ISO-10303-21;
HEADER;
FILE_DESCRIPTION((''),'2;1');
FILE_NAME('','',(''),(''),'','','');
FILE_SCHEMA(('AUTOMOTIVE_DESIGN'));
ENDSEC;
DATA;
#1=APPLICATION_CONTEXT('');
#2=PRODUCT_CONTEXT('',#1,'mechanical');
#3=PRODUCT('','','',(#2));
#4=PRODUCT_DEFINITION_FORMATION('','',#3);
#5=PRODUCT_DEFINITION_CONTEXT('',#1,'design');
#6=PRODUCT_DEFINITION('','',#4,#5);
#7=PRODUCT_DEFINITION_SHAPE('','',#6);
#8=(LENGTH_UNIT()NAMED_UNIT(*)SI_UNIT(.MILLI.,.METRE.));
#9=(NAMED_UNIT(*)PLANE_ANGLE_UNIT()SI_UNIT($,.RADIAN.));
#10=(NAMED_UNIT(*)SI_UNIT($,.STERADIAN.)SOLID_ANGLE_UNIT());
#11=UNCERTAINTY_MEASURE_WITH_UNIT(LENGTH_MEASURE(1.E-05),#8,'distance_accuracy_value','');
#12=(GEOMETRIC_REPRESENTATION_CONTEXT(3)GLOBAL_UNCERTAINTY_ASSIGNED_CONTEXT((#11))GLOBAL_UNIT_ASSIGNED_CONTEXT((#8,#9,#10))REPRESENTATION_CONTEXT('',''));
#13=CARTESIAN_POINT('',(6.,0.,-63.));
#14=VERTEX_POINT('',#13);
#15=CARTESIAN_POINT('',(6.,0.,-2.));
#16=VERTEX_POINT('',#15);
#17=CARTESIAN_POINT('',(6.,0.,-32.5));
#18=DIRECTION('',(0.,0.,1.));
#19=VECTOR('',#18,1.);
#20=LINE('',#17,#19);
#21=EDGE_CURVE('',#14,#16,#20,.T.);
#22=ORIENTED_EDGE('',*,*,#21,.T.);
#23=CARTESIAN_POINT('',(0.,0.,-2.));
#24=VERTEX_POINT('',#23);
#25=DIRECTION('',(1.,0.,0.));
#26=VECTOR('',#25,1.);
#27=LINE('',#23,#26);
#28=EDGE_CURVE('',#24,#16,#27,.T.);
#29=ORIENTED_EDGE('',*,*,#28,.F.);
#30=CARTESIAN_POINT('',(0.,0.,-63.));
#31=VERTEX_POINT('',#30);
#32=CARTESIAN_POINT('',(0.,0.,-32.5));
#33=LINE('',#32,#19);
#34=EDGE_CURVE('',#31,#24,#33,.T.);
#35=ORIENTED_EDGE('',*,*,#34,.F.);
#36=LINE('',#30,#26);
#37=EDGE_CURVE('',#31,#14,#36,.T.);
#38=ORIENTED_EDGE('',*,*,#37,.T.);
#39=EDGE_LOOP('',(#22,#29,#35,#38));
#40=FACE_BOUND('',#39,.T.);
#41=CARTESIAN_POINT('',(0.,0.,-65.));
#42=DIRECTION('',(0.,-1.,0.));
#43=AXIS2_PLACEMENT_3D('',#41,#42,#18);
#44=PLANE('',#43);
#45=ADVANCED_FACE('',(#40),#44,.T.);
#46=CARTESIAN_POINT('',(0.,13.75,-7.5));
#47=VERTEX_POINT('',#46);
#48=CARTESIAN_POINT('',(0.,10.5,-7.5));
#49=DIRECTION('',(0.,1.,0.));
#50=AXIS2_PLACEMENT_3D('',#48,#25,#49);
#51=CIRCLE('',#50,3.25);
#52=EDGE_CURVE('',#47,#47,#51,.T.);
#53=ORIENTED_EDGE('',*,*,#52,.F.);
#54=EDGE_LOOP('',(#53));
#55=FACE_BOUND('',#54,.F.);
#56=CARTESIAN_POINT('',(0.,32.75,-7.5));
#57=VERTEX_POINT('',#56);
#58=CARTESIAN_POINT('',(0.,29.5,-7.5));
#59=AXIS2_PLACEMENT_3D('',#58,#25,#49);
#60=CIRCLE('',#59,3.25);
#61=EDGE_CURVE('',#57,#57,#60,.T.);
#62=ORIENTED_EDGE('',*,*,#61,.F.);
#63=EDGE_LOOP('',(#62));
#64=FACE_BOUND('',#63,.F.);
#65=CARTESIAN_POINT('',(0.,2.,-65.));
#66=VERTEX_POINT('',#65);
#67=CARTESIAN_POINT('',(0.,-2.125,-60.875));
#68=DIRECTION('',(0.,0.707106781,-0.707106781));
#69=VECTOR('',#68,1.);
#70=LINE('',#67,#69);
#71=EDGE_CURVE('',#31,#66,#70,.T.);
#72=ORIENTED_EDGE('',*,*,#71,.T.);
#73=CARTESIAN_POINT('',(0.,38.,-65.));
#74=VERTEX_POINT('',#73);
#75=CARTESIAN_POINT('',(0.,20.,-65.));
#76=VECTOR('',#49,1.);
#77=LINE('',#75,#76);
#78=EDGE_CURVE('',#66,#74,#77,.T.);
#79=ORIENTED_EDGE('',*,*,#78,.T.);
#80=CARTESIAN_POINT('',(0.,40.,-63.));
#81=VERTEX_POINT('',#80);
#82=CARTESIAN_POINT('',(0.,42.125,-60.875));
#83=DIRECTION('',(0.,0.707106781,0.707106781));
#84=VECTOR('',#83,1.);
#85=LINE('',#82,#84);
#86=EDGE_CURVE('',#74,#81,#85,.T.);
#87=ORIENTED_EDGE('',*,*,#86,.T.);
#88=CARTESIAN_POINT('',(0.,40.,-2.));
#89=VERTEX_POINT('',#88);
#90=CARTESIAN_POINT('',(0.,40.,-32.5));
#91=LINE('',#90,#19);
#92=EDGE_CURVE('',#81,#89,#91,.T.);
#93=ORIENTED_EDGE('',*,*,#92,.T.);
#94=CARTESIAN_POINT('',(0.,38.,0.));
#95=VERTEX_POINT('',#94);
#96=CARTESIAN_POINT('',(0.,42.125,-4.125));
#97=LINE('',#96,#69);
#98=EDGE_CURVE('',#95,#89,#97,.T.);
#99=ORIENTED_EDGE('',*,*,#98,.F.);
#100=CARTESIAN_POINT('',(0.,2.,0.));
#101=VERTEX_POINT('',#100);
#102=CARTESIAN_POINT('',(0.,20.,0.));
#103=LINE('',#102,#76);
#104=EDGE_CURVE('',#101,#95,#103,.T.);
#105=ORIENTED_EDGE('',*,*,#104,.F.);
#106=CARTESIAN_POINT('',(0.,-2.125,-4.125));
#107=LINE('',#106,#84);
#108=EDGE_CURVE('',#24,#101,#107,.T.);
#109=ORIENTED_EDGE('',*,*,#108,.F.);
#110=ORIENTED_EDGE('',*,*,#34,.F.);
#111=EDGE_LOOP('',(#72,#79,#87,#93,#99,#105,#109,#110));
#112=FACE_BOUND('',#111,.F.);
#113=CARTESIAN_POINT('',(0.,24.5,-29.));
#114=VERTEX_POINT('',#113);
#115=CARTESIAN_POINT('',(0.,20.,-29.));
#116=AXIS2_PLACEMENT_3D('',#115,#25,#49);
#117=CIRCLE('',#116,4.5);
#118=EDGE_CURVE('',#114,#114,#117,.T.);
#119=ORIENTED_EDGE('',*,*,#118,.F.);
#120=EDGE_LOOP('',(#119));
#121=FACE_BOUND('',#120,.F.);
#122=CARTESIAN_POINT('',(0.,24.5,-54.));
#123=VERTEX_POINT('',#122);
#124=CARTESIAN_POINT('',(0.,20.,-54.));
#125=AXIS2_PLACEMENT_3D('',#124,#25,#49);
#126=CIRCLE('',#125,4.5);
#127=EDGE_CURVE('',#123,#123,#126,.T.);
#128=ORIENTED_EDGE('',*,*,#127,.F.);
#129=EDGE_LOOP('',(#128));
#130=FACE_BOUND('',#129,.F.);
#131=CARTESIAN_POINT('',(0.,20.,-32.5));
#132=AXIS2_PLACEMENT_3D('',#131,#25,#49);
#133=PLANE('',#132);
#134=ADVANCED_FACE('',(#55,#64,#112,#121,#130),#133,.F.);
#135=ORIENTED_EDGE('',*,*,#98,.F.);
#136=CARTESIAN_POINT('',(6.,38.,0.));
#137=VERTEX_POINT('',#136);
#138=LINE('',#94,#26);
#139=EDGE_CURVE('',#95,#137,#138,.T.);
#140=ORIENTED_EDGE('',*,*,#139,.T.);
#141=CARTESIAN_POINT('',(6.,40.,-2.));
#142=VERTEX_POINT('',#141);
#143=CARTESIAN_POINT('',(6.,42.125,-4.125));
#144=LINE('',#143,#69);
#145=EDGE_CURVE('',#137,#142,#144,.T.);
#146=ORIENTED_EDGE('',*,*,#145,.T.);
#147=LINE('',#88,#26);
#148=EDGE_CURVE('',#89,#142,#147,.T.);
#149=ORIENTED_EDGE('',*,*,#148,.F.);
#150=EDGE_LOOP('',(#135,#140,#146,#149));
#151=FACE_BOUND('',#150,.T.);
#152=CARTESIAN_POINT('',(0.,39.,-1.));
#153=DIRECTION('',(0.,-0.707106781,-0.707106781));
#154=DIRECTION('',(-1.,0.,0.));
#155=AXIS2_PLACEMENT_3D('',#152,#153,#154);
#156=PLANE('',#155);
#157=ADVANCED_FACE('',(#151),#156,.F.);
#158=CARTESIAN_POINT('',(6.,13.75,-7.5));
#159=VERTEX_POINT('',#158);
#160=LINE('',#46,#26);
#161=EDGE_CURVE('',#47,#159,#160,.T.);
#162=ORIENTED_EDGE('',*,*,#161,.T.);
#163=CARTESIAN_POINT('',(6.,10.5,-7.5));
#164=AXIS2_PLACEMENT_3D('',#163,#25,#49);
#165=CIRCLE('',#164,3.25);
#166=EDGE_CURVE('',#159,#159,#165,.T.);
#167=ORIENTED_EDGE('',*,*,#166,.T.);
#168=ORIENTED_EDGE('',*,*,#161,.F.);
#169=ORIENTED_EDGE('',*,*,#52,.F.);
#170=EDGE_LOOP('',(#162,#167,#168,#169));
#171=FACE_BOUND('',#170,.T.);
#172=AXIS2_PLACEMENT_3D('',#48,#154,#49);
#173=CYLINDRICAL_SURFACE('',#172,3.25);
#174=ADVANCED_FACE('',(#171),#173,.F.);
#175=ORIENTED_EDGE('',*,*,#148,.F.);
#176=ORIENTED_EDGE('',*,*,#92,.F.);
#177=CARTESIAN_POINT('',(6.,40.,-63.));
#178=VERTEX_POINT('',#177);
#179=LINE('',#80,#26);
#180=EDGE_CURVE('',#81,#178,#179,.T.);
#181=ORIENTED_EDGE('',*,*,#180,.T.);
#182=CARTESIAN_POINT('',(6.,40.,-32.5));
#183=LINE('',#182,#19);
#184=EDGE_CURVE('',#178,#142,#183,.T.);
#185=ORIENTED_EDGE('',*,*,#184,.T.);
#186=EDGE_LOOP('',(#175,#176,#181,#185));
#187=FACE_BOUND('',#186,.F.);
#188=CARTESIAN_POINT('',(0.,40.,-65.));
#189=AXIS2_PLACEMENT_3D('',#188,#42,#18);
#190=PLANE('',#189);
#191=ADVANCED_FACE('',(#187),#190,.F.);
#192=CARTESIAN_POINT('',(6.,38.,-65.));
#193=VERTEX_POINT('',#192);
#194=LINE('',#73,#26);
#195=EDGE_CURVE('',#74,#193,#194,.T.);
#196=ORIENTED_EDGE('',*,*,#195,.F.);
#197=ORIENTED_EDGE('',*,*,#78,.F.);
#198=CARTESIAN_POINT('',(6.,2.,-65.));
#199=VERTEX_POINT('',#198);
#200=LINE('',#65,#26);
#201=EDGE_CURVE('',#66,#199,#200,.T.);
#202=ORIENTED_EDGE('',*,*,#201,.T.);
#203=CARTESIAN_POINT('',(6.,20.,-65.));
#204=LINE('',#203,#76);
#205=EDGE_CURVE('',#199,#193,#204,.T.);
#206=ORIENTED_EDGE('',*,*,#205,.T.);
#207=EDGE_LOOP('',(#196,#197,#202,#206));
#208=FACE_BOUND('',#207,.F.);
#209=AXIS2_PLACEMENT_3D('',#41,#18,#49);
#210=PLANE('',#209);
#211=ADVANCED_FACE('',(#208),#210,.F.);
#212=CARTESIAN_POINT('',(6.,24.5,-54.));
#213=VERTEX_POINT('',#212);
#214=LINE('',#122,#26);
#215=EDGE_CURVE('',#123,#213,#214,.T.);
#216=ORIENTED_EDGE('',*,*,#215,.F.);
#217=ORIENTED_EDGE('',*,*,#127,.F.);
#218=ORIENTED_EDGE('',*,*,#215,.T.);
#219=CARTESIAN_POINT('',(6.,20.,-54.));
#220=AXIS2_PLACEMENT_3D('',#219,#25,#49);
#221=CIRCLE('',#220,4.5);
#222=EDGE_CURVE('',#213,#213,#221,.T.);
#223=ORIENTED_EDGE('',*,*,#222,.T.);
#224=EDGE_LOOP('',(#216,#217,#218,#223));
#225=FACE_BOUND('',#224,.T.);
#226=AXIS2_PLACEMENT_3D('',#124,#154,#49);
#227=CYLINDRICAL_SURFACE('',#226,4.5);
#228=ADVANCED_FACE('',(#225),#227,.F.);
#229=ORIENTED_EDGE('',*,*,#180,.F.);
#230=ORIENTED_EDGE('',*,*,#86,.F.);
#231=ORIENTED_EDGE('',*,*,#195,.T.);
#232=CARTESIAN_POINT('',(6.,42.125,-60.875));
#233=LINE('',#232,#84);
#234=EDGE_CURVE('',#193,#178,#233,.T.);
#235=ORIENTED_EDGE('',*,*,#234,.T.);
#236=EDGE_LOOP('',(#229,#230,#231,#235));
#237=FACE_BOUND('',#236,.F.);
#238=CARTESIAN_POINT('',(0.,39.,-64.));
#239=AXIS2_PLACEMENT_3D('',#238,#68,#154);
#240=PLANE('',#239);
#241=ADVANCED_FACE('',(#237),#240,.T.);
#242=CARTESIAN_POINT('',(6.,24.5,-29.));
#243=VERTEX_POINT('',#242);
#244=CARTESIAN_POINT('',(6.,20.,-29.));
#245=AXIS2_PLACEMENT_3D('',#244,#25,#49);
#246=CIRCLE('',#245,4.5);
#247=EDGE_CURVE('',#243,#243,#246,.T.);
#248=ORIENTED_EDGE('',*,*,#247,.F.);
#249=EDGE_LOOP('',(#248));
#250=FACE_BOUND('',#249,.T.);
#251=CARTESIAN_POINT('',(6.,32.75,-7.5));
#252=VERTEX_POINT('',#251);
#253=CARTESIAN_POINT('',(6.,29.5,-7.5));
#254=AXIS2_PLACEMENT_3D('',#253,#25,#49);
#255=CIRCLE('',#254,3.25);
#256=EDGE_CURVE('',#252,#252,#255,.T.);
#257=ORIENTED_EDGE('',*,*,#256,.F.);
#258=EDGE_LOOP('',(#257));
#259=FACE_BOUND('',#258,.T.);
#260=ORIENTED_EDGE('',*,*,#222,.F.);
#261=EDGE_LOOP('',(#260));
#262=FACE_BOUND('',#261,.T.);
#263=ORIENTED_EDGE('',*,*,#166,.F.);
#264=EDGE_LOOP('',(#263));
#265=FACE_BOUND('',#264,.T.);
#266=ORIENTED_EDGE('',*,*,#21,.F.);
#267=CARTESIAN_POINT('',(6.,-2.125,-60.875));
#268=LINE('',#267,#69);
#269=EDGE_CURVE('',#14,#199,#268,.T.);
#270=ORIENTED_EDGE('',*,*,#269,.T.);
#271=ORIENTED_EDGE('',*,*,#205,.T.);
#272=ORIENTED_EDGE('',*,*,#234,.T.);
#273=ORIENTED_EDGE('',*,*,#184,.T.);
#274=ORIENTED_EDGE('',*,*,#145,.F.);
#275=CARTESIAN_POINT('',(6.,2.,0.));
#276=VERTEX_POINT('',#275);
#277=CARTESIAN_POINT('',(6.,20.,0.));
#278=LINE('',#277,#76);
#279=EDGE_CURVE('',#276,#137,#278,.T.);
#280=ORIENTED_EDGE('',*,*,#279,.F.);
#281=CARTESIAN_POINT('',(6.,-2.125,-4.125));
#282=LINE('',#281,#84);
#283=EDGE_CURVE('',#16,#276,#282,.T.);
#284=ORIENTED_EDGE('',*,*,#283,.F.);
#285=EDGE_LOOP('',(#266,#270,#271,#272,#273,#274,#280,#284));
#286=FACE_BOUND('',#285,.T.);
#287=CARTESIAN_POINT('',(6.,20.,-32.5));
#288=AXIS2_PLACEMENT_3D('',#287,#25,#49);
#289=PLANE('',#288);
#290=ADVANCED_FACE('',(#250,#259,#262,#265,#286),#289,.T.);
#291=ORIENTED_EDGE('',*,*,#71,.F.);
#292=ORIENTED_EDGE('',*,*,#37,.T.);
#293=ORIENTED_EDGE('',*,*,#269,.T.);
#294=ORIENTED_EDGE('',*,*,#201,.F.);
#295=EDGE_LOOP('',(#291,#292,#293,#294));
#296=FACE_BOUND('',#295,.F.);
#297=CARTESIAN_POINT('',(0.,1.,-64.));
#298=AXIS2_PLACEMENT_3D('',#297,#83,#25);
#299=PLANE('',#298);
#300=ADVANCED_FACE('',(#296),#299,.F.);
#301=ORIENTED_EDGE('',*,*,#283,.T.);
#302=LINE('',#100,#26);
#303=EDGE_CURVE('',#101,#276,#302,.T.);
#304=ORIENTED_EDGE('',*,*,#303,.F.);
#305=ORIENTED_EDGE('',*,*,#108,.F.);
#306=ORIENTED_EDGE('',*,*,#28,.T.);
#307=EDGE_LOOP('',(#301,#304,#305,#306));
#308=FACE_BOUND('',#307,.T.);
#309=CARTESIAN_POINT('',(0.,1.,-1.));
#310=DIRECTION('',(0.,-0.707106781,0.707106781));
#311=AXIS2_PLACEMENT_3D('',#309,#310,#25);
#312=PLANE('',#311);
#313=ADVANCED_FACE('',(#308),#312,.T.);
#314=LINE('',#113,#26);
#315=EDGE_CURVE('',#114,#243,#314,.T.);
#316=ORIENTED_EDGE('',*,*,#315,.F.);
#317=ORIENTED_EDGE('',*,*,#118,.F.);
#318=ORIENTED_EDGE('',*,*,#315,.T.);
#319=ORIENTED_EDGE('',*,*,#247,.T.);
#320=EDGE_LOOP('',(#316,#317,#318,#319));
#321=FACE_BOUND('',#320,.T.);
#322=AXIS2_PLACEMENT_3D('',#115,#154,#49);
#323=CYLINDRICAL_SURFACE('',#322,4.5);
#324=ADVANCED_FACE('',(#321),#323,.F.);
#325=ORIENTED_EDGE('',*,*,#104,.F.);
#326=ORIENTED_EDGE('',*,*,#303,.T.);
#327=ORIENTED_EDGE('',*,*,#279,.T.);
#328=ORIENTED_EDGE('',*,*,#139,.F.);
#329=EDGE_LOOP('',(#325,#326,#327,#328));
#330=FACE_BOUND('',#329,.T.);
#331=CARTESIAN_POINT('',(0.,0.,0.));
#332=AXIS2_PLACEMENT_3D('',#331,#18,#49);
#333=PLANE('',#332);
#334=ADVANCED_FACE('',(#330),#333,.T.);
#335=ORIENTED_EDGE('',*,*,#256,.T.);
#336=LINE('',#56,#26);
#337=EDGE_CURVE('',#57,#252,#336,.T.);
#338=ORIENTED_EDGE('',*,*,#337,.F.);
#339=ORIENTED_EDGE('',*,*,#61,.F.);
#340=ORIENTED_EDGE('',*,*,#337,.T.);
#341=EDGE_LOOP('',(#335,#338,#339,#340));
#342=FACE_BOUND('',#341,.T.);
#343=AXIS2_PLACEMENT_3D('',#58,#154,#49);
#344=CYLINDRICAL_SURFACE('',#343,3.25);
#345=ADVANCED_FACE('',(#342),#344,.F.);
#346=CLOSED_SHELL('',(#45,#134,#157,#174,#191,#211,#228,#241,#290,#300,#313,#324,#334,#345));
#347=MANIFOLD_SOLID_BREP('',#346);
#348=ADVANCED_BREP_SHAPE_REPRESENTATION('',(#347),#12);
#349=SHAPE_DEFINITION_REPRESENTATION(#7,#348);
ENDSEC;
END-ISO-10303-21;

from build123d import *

# Parameters (mm, degrees)
F0_W     = 40
F0_H     = 65
F0_R     = 4.5
F0_R_2   = 3.25
F1_DEPTH = 6
F2_SIZE  = 2


with BuildPart() as f1:
    # F0 (on Right) → F1 (new body)
    with BuildSketch(Plane.YZ):
        with Locations((20, -32.5)):
            Rectangle(F0_W, F0_H)
        with Locations((20, -54)):
            Circle(F0_R, mode=Mode.SUBTRACT)
        with Locations((10.5, -7.5)):
            Circle(F0_R_2, mode=Mode.SUBTRACT)
        with Locations((20, -29)):
            Circle(F0_R, mode=Mode.SUBTRACT)
        with Locations((29.5, -7.5)):
            Circle(F0_R_2, mode=Mode.SUBTRACT)
    extrude(amount=F1_DEPTH)

    # F2
    f2_edges = [f1.edges().sort_by_distance(p)[0] for p in [
        (3, 0, -65),
        (3, 40, -65),
        (3, 40, 0),
        (3, 0, 0),
    ]]
    chamfer(f2_edges, length=F2_SIZE)


solid = f1.part
